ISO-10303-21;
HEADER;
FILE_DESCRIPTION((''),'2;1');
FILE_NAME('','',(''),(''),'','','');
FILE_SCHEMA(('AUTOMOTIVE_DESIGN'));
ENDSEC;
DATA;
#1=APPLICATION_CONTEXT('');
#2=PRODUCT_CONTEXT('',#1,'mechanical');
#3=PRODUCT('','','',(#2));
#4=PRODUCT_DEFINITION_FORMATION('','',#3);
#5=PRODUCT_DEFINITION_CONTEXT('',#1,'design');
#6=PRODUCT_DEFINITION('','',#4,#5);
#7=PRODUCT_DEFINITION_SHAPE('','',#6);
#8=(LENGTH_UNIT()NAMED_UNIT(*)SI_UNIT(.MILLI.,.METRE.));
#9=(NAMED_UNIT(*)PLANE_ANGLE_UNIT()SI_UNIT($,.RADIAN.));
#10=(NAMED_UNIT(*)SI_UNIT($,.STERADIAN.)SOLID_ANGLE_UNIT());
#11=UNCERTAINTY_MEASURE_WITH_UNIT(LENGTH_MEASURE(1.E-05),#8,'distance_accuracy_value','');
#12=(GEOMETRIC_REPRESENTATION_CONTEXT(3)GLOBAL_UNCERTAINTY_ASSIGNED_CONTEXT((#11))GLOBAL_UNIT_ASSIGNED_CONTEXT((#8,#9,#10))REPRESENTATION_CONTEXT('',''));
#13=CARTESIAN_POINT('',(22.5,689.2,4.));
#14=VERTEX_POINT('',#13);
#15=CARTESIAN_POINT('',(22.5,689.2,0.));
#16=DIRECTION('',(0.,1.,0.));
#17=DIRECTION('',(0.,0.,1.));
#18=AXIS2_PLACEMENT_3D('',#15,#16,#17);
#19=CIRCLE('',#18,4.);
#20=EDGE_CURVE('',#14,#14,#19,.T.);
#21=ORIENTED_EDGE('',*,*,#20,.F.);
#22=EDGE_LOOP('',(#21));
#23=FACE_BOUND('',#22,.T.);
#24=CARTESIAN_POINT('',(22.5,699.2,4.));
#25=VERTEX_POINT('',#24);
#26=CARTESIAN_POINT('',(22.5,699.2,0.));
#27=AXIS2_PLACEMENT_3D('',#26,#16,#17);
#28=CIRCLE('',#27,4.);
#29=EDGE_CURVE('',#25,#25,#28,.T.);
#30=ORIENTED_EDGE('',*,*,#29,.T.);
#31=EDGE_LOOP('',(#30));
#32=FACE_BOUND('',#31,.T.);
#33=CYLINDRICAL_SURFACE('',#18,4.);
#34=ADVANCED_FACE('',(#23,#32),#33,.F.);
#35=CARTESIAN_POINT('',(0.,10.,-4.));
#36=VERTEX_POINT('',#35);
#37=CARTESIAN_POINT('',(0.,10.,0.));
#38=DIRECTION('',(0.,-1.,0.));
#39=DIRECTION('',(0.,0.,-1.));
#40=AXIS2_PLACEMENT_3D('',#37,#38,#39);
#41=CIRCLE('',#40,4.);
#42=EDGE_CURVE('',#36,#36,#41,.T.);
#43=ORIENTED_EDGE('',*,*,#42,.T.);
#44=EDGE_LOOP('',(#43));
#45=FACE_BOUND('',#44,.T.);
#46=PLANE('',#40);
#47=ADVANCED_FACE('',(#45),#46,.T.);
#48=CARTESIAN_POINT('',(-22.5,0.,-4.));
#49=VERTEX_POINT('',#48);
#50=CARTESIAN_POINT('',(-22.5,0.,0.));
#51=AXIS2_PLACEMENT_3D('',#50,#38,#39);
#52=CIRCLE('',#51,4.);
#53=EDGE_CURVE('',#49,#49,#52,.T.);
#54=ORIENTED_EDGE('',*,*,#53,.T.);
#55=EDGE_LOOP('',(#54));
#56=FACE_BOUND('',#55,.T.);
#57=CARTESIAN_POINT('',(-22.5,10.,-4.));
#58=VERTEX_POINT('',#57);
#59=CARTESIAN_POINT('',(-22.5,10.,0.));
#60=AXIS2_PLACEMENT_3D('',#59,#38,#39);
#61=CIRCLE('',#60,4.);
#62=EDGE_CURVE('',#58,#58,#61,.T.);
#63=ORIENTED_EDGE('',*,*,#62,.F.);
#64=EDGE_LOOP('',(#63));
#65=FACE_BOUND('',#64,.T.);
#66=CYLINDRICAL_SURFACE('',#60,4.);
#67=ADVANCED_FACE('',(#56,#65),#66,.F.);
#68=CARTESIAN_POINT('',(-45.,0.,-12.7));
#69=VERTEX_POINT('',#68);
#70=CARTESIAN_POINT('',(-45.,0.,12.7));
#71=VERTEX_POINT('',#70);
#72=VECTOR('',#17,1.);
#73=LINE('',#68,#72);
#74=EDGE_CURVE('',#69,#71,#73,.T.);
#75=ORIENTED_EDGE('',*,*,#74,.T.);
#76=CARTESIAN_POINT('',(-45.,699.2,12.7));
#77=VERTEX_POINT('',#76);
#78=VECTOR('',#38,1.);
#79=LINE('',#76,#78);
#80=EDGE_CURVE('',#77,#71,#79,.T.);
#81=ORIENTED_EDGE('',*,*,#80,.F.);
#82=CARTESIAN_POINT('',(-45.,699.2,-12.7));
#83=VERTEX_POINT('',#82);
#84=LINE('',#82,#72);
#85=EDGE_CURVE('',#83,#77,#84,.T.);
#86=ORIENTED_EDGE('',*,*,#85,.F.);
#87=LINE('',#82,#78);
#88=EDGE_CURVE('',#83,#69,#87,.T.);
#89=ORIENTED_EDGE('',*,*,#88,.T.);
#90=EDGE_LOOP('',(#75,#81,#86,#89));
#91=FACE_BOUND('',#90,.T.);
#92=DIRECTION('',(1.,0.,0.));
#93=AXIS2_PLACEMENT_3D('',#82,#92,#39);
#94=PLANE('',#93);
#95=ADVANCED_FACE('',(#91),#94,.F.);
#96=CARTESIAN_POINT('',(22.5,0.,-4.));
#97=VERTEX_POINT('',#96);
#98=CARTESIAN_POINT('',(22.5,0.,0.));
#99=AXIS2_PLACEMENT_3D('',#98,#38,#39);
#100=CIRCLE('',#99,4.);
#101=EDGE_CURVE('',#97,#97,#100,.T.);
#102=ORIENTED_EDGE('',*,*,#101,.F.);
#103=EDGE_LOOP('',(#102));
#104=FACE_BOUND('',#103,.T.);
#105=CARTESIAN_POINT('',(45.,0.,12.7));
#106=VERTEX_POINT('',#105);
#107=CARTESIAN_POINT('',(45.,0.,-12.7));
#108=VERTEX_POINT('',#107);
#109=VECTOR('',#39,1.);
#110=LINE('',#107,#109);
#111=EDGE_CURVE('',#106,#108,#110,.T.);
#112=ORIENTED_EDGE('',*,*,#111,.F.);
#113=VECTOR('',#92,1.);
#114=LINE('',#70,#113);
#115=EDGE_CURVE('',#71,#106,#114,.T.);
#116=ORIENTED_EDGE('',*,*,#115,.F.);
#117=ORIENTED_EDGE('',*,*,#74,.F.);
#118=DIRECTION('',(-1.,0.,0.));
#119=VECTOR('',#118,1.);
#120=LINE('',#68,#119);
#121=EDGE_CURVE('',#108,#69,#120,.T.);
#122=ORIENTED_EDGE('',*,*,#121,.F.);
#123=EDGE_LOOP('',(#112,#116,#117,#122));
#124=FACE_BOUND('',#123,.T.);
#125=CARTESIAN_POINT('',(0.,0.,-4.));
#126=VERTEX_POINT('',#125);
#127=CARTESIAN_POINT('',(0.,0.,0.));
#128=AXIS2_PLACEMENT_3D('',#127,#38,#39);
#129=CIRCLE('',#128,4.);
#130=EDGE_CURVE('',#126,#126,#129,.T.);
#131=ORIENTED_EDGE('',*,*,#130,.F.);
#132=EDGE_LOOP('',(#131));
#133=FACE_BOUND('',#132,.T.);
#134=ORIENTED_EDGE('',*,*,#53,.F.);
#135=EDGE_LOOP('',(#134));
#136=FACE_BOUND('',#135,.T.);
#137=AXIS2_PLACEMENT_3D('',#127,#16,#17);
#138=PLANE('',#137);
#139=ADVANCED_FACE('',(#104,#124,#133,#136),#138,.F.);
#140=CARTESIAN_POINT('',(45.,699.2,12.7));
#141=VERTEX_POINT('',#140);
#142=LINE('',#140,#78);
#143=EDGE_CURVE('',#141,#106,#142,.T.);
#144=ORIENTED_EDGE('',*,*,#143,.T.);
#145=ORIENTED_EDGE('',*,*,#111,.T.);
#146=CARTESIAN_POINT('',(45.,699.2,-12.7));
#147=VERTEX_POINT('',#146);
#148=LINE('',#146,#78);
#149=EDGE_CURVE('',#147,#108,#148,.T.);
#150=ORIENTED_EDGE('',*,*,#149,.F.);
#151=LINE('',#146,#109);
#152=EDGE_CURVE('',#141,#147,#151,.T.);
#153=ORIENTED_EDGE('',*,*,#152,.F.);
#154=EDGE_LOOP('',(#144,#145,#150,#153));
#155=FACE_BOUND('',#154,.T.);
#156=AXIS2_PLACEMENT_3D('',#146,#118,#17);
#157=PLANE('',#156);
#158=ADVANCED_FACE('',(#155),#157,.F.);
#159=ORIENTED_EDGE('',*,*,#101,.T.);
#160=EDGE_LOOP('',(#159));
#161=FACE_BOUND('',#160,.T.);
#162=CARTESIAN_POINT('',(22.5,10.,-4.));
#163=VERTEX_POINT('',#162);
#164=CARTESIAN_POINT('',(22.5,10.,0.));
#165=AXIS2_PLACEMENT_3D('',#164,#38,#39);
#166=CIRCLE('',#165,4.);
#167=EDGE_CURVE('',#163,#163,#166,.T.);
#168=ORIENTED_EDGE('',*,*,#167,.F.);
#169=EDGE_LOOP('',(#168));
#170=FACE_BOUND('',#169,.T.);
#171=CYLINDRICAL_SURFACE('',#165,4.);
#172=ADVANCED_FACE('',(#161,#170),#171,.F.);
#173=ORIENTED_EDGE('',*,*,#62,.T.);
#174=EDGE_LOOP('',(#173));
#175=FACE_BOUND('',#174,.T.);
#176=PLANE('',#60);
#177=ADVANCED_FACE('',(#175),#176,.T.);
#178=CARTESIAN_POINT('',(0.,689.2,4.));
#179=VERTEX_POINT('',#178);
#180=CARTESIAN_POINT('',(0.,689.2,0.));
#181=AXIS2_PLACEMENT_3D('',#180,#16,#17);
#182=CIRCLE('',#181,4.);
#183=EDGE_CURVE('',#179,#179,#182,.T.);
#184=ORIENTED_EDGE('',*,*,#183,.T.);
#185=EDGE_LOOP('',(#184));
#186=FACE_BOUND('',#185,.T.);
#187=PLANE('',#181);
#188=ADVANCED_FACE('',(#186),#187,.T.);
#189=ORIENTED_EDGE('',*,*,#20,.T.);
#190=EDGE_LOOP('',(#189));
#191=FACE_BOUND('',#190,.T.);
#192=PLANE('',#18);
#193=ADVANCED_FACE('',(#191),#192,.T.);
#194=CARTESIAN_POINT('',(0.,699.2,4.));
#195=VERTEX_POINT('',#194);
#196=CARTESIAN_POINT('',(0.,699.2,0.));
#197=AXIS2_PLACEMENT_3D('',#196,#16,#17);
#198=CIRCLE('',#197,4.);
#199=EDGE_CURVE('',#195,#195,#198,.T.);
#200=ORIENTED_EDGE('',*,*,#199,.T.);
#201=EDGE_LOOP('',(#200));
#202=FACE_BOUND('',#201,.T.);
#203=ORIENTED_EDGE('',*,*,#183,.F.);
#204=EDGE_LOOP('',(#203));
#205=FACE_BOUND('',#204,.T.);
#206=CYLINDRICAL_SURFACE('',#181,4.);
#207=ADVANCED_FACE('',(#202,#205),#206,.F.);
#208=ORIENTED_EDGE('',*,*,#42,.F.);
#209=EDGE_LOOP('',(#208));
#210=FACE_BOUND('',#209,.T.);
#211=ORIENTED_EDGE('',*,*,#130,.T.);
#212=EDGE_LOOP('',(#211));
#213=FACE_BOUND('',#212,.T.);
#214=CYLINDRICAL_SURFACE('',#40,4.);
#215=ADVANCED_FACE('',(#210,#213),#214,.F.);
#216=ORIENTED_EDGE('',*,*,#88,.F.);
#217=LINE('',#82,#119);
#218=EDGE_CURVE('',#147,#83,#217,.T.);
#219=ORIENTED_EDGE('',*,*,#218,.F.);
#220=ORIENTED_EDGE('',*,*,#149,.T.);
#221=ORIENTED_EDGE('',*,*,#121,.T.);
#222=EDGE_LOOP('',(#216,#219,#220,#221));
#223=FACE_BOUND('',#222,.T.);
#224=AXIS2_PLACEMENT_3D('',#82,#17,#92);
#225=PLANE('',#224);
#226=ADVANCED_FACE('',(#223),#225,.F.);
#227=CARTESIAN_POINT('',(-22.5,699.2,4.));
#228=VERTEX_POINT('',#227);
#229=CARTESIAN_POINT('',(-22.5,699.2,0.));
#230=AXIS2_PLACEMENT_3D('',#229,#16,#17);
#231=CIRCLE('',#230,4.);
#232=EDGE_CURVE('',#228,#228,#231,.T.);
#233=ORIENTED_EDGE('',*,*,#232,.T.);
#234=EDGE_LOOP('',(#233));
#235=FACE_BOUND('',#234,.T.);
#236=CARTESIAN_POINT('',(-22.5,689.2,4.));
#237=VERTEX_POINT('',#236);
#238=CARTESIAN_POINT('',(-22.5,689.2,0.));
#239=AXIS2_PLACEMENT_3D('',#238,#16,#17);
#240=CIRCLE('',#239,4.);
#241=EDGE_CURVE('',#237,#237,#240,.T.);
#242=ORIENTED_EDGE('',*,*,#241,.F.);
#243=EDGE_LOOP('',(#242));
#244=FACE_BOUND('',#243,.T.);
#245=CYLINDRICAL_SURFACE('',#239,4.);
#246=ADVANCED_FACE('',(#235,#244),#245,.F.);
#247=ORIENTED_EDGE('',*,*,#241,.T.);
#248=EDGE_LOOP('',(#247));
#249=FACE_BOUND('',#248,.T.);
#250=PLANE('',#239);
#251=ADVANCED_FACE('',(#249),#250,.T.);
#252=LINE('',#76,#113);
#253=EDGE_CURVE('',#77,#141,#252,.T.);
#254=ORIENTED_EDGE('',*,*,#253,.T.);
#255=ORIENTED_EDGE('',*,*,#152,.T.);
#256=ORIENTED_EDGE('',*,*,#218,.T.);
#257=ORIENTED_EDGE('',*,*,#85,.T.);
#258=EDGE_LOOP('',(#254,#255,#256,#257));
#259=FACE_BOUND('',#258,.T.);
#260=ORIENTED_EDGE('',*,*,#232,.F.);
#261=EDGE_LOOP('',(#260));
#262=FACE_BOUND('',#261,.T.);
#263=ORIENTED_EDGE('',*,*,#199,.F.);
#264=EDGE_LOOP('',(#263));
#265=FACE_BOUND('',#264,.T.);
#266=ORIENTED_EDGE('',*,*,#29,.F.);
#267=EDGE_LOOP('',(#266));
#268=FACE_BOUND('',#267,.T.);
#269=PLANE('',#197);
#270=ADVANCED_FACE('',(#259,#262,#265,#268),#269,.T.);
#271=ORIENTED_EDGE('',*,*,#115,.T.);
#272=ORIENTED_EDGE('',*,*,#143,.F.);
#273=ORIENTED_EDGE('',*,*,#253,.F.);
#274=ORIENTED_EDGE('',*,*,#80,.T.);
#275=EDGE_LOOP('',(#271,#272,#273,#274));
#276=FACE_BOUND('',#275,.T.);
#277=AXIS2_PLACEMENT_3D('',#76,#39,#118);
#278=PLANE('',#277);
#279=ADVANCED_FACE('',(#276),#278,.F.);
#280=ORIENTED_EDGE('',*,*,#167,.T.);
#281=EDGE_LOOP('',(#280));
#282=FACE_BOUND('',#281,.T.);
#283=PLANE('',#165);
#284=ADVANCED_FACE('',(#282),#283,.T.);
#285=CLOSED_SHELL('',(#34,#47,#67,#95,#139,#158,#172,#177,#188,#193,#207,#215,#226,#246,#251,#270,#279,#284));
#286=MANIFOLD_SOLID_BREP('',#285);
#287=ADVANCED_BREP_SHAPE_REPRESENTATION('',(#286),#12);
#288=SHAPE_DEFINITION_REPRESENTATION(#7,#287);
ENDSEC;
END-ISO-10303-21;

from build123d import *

# Parameters (mm, degrees)
CROQUIS1_W              = 90
CROQUIS1_H              = 25.4
SALIENTE_EXTRUIR1_DEPTH = 699.2
CROQUIS3_R              = 4
CORTAR_EXTRUIR1_DEPTH   = 10
CROQUIS4_R              = 4
CORTAR_EXTRUIR2_DEPTH   = 10


with BuildPart() as part:
    # Croquis1 → Saliente-Extruir1 (new body)
    with BuildSketch(Plane(origin=(0, 0, 0), x_dir=(1, 0, 0), z_dir=(0, 1, 0))):
        Rectangle(CROQUIS1_W, CROQUIS1_H)
    extrude(amount=SALIENTE_EXTRUIR1_DEPTH)

    # Croquis3 → Cortar-Extruir1 (cut)
    with BuildSketch(Plane(origin=(0, 699.2, 0), x_dir=(1, 0, 0), z_dir=(0, 1, 0))):
        Circle(CROQUIS3_R)
        with Locations((22.5, 0)):
            Circle(CROQUIS3_R)
        with Locations((-22.5, 0)):
            Circle(CROQUIS3_R)
    extrude(amount=-CORTAR_EXTRUIR1_DEPTH, mode=Mode.SUBTRACT)

    # Croquis4 → Cortar-Extruir2 (cut)
    with BuildSketch(Plane.XZ):
        Circle(CROQUIS4_R)
        with Locations((22.5, 0)):
            Circle(CROQUIS4_R)
        with Locations((-22.5, 0)):
            Circle(CROQUIS4_R)
    extrude(amount=-CORTAR_EXTRUIR2_DEPTH, mode=Mode.SUBTRACT)


solid = part.part
